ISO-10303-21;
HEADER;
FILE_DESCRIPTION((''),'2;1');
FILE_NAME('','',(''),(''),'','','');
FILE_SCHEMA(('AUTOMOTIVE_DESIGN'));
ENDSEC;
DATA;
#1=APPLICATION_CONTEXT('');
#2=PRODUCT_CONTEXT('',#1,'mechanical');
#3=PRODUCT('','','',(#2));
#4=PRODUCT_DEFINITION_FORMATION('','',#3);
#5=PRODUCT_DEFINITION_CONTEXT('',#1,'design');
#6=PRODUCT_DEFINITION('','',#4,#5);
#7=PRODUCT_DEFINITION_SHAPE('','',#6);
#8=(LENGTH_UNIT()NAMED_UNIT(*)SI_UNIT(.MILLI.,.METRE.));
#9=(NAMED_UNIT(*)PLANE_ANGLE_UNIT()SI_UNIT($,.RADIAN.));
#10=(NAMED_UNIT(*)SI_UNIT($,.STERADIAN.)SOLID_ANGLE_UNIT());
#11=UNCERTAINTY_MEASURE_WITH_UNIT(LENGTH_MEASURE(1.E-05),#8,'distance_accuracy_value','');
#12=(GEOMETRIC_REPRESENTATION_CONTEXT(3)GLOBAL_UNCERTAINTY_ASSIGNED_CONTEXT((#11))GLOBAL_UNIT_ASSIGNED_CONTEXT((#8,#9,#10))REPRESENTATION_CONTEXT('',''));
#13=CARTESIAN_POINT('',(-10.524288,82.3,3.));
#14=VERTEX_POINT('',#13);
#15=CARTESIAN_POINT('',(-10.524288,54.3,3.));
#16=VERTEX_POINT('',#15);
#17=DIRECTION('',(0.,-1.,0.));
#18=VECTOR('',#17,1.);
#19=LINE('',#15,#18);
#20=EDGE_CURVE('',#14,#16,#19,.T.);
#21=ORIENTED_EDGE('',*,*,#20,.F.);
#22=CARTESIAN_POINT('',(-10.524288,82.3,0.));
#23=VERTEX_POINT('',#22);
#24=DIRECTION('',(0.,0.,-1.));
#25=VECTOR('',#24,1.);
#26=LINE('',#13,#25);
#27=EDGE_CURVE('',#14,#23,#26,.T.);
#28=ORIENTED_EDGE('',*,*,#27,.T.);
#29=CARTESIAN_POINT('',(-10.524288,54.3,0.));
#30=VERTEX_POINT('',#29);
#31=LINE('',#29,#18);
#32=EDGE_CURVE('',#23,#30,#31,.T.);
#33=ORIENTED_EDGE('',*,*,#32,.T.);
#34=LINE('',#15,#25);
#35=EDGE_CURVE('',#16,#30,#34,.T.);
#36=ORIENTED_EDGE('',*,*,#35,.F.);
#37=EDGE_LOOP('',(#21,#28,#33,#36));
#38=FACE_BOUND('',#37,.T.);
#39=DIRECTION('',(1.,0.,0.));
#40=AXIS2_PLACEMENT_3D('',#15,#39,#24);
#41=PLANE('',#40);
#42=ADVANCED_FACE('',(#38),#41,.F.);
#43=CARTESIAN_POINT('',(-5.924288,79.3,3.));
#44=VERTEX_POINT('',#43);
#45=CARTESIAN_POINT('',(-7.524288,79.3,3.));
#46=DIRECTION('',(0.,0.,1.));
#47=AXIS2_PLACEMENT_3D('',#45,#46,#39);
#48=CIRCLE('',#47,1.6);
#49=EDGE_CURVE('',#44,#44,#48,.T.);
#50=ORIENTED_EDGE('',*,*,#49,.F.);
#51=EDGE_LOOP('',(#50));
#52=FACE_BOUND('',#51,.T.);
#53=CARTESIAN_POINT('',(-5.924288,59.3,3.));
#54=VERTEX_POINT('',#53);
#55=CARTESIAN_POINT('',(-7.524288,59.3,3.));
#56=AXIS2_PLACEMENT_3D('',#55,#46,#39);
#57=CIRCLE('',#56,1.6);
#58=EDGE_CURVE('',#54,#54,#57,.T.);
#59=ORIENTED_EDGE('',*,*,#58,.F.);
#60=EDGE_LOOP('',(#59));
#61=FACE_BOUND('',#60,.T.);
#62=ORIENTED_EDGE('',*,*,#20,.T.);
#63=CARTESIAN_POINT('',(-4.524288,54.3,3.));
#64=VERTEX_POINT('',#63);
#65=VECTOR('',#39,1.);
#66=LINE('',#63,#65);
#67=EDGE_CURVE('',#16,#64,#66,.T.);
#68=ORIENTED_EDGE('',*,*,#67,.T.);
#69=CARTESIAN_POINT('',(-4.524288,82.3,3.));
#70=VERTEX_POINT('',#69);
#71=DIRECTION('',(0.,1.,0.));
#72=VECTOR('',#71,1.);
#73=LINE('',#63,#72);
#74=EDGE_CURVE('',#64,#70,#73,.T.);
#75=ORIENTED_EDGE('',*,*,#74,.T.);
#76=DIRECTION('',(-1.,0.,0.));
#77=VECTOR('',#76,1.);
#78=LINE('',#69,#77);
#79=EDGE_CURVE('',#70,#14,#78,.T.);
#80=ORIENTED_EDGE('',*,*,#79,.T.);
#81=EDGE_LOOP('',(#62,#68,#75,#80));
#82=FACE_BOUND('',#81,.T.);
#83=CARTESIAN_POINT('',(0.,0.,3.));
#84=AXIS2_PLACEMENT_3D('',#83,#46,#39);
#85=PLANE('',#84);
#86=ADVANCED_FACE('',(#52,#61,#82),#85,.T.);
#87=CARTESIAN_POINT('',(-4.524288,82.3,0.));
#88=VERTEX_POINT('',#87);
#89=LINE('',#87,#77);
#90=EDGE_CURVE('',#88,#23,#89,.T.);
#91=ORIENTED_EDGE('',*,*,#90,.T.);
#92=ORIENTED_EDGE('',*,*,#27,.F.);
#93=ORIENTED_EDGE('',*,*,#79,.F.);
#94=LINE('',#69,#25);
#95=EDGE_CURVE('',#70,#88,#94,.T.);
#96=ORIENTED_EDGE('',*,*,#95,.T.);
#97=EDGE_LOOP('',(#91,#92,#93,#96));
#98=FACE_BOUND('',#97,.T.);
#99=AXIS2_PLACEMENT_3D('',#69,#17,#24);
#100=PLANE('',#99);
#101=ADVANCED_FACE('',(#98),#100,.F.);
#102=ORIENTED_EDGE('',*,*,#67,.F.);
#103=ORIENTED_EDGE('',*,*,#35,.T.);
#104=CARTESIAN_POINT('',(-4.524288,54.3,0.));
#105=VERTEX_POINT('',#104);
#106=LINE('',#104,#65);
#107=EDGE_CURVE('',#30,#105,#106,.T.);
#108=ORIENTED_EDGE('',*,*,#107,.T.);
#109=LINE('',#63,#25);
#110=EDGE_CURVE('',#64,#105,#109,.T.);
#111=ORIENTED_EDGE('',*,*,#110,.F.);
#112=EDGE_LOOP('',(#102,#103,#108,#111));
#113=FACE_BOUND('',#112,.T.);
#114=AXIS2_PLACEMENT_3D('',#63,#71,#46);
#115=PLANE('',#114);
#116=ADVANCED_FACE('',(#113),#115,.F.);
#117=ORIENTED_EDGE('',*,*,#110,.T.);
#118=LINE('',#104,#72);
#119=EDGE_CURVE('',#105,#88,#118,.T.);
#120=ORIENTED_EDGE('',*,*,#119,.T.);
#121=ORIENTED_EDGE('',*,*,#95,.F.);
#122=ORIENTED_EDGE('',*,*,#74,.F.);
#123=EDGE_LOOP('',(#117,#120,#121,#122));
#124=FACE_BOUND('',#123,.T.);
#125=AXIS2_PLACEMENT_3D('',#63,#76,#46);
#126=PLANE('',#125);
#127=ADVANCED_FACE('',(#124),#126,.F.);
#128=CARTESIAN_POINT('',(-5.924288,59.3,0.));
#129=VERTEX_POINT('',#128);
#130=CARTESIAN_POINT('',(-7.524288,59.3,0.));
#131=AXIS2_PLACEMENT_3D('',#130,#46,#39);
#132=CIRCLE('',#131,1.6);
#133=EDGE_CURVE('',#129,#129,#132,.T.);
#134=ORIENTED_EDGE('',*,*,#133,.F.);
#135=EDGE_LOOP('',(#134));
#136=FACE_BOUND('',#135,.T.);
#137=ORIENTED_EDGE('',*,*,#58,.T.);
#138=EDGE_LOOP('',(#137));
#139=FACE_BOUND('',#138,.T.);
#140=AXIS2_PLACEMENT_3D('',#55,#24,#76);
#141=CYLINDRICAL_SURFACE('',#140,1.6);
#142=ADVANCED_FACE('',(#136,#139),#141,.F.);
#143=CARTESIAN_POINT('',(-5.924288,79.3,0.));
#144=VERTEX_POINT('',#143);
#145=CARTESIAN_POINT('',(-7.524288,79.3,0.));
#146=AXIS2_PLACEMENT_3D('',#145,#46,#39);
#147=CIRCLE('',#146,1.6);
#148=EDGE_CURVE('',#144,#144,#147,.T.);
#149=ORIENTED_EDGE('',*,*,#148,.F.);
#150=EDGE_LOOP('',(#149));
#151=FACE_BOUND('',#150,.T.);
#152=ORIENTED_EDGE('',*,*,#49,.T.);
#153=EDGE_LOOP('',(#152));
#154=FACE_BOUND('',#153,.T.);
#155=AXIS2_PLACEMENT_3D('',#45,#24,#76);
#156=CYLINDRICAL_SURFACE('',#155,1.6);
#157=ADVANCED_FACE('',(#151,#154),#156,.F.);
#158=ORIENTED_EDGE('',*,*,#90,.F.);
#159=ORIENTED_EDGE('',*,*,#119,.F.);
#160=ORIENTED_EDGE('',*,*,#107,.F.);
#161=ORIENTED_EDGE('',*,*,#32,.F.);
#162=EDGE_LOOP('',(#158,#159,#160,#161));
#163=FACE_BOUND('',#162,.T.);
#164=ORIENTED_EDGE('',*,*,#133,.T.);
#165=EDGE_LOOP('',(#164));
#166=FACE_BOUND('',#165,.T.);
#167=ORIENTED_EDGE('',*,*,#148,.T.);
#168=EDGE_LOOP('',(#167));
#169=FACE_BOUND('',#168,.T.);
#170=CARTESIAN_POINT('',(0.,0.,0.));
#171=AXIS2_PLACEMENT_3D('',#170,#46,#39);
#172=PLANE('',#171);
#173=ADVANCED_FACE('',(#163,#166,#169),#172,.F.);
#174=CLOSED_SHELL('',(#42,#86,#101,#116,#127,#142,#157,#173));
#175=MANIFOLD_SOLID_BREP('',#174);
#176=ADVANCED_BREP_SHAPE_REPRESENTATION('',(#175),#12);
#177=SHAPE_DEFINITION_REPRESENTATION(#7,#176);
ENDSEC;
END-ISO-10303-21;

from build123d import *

# Parameters (mm, degrees)
SKICA1_W                = 6
SKICA1_H                = 28
SKICA1_R                = 1.6
P_IDAT_VYSUNUT_M1_DEPTH = 3


with BuildPart() as part:
    # Skica1 → Přidat vysunutím1 (new body)
    with BuildSketch(Plane.XY):
        with Locations((-7.524287798, 68.3)):
            Rectangle(SKICA1_W, SKICA1_H)
        with Locations((-7.524287798, 59.3)):
            Circle(SKICA1_R, mode=Mode.SUBTRACT)
        with Locations((-7.524287798, 79.3)):
            Circle(SKICA1_R, mode=Mode.SUBTRACT)
    extrude(amount=P_IDAT_VYSUNUT_M1_DEPTH)


solid = part.part
